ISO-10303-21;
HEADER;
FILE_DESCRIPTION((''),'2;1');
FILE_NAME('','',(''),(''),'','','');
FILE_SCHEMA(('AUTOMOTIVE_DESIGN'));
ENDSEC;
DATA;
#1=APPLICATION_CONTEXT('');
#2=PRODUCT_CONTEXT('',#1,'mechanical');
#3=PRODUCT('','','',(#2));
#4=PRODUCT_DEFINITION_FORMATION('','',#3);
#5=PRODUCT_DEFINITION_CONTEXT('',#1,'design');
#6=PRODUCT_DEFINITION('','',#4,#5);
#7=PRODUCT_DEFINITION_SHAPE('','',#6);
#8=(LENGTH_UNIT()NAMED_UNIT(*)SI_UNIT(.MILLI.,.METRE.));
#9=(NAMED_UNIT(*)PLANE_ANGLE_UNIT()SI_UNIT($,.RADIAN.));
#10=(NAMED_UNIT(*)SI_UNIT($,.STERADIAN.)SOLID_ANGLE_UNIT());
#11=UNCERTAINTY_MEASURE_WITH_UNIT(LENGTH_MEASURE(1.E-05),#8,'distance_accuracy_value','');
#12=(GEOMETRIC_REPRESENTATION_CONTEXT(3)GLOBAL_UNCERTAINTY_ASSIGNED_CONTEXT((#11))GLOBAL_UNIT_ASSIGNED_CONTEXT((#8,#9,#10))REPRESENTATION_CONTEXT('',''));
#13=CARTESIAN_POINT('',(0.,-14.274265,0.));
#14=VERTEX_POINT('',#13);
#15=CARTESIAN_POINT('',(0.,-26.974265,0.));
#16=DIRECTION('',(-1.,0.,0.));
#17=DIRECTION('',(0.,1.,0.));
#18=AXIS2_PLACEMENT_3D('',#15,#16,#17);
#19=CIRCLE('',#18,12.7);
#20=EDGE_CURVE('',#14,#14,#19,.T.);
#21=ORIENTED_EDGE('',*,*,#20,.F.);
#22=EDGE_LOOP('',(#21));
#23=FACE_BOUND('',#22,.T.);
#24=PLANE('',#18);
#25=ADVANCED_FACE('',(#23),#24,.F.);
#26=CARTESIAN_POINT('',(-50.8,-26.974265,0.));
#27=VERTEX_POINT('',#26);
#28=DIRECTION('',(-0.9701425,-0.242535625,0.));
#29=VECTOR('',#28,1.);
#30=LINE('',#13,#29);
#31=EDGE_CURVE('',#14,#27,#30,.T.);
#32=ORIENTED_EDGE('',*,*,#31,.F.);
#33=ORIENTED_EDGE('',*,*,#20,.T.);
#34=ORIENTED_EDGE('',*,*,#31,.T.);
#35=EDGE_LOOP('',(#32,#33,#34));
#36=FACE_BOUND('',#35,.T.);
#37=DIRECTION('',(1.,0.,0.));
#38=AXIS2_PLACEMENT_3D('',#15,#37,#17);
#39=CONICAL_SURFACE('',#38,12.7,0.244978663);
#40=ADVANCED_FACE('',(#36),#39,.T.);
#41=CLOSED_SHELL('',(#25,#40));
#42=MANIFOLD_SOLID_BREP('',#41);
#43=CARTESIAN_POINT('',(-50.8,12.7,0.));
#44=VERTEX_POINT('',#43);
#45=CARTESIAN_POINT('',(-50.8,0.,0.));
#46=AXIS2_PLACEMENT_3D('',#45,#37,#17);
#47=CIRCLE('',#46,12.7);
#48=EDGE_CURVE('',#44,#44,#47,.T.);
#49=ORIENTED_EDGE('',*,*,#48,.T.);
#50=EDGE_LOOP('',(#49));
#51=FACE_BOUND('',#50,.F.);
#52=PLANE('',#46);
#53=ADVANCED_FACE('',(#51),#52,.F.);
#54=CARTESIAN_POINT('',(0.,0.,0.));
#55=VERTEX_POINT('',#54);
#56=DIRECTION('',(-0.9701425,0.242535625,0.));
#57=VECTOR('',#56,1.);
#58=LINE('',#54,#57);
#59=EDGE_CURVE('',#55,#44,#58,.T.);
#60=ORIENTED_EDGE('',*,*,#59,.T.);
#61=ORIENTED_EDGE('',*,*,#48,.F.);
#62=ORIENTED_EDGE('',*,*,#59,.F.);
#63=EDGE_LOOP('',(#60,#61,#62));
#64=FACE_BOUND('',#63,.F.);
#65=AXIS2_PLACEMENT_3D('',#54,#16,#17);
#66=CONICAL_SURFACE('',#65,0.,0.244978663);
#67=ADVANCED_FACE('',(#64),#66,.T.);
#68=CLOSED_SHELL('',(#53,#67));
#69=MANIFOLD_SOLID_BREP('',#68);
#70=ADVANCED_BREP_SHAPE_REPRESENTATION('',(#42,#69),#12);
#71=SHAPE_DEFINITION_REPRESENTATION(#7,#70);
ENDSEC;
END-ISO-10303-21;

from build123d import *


with BuildPart() as f1:
    # F0 (on Top) → F1 (revolve)
    with BuildSketch(Plane.XY):
        Polygon((0, 0), (-50.8, 12.7), (-50.8, 0), align=None)
    revolve(axis=Axis((-25.4, 0, 0), (1, 0, 0)))


with BuildPart() as f2:
    # F0 (on Top) → F2 (revolve)
    with BuildSketch(Plane.XY):
        Polygon((0, -26.974265), (0, -14.274265), (-50.8, -26.974265), align=None)
    revolve(axis=Axis((-25.4, -26.974265, 0), (-1, 0, 0)))


solid = Compound([f1.part, f2.part])
